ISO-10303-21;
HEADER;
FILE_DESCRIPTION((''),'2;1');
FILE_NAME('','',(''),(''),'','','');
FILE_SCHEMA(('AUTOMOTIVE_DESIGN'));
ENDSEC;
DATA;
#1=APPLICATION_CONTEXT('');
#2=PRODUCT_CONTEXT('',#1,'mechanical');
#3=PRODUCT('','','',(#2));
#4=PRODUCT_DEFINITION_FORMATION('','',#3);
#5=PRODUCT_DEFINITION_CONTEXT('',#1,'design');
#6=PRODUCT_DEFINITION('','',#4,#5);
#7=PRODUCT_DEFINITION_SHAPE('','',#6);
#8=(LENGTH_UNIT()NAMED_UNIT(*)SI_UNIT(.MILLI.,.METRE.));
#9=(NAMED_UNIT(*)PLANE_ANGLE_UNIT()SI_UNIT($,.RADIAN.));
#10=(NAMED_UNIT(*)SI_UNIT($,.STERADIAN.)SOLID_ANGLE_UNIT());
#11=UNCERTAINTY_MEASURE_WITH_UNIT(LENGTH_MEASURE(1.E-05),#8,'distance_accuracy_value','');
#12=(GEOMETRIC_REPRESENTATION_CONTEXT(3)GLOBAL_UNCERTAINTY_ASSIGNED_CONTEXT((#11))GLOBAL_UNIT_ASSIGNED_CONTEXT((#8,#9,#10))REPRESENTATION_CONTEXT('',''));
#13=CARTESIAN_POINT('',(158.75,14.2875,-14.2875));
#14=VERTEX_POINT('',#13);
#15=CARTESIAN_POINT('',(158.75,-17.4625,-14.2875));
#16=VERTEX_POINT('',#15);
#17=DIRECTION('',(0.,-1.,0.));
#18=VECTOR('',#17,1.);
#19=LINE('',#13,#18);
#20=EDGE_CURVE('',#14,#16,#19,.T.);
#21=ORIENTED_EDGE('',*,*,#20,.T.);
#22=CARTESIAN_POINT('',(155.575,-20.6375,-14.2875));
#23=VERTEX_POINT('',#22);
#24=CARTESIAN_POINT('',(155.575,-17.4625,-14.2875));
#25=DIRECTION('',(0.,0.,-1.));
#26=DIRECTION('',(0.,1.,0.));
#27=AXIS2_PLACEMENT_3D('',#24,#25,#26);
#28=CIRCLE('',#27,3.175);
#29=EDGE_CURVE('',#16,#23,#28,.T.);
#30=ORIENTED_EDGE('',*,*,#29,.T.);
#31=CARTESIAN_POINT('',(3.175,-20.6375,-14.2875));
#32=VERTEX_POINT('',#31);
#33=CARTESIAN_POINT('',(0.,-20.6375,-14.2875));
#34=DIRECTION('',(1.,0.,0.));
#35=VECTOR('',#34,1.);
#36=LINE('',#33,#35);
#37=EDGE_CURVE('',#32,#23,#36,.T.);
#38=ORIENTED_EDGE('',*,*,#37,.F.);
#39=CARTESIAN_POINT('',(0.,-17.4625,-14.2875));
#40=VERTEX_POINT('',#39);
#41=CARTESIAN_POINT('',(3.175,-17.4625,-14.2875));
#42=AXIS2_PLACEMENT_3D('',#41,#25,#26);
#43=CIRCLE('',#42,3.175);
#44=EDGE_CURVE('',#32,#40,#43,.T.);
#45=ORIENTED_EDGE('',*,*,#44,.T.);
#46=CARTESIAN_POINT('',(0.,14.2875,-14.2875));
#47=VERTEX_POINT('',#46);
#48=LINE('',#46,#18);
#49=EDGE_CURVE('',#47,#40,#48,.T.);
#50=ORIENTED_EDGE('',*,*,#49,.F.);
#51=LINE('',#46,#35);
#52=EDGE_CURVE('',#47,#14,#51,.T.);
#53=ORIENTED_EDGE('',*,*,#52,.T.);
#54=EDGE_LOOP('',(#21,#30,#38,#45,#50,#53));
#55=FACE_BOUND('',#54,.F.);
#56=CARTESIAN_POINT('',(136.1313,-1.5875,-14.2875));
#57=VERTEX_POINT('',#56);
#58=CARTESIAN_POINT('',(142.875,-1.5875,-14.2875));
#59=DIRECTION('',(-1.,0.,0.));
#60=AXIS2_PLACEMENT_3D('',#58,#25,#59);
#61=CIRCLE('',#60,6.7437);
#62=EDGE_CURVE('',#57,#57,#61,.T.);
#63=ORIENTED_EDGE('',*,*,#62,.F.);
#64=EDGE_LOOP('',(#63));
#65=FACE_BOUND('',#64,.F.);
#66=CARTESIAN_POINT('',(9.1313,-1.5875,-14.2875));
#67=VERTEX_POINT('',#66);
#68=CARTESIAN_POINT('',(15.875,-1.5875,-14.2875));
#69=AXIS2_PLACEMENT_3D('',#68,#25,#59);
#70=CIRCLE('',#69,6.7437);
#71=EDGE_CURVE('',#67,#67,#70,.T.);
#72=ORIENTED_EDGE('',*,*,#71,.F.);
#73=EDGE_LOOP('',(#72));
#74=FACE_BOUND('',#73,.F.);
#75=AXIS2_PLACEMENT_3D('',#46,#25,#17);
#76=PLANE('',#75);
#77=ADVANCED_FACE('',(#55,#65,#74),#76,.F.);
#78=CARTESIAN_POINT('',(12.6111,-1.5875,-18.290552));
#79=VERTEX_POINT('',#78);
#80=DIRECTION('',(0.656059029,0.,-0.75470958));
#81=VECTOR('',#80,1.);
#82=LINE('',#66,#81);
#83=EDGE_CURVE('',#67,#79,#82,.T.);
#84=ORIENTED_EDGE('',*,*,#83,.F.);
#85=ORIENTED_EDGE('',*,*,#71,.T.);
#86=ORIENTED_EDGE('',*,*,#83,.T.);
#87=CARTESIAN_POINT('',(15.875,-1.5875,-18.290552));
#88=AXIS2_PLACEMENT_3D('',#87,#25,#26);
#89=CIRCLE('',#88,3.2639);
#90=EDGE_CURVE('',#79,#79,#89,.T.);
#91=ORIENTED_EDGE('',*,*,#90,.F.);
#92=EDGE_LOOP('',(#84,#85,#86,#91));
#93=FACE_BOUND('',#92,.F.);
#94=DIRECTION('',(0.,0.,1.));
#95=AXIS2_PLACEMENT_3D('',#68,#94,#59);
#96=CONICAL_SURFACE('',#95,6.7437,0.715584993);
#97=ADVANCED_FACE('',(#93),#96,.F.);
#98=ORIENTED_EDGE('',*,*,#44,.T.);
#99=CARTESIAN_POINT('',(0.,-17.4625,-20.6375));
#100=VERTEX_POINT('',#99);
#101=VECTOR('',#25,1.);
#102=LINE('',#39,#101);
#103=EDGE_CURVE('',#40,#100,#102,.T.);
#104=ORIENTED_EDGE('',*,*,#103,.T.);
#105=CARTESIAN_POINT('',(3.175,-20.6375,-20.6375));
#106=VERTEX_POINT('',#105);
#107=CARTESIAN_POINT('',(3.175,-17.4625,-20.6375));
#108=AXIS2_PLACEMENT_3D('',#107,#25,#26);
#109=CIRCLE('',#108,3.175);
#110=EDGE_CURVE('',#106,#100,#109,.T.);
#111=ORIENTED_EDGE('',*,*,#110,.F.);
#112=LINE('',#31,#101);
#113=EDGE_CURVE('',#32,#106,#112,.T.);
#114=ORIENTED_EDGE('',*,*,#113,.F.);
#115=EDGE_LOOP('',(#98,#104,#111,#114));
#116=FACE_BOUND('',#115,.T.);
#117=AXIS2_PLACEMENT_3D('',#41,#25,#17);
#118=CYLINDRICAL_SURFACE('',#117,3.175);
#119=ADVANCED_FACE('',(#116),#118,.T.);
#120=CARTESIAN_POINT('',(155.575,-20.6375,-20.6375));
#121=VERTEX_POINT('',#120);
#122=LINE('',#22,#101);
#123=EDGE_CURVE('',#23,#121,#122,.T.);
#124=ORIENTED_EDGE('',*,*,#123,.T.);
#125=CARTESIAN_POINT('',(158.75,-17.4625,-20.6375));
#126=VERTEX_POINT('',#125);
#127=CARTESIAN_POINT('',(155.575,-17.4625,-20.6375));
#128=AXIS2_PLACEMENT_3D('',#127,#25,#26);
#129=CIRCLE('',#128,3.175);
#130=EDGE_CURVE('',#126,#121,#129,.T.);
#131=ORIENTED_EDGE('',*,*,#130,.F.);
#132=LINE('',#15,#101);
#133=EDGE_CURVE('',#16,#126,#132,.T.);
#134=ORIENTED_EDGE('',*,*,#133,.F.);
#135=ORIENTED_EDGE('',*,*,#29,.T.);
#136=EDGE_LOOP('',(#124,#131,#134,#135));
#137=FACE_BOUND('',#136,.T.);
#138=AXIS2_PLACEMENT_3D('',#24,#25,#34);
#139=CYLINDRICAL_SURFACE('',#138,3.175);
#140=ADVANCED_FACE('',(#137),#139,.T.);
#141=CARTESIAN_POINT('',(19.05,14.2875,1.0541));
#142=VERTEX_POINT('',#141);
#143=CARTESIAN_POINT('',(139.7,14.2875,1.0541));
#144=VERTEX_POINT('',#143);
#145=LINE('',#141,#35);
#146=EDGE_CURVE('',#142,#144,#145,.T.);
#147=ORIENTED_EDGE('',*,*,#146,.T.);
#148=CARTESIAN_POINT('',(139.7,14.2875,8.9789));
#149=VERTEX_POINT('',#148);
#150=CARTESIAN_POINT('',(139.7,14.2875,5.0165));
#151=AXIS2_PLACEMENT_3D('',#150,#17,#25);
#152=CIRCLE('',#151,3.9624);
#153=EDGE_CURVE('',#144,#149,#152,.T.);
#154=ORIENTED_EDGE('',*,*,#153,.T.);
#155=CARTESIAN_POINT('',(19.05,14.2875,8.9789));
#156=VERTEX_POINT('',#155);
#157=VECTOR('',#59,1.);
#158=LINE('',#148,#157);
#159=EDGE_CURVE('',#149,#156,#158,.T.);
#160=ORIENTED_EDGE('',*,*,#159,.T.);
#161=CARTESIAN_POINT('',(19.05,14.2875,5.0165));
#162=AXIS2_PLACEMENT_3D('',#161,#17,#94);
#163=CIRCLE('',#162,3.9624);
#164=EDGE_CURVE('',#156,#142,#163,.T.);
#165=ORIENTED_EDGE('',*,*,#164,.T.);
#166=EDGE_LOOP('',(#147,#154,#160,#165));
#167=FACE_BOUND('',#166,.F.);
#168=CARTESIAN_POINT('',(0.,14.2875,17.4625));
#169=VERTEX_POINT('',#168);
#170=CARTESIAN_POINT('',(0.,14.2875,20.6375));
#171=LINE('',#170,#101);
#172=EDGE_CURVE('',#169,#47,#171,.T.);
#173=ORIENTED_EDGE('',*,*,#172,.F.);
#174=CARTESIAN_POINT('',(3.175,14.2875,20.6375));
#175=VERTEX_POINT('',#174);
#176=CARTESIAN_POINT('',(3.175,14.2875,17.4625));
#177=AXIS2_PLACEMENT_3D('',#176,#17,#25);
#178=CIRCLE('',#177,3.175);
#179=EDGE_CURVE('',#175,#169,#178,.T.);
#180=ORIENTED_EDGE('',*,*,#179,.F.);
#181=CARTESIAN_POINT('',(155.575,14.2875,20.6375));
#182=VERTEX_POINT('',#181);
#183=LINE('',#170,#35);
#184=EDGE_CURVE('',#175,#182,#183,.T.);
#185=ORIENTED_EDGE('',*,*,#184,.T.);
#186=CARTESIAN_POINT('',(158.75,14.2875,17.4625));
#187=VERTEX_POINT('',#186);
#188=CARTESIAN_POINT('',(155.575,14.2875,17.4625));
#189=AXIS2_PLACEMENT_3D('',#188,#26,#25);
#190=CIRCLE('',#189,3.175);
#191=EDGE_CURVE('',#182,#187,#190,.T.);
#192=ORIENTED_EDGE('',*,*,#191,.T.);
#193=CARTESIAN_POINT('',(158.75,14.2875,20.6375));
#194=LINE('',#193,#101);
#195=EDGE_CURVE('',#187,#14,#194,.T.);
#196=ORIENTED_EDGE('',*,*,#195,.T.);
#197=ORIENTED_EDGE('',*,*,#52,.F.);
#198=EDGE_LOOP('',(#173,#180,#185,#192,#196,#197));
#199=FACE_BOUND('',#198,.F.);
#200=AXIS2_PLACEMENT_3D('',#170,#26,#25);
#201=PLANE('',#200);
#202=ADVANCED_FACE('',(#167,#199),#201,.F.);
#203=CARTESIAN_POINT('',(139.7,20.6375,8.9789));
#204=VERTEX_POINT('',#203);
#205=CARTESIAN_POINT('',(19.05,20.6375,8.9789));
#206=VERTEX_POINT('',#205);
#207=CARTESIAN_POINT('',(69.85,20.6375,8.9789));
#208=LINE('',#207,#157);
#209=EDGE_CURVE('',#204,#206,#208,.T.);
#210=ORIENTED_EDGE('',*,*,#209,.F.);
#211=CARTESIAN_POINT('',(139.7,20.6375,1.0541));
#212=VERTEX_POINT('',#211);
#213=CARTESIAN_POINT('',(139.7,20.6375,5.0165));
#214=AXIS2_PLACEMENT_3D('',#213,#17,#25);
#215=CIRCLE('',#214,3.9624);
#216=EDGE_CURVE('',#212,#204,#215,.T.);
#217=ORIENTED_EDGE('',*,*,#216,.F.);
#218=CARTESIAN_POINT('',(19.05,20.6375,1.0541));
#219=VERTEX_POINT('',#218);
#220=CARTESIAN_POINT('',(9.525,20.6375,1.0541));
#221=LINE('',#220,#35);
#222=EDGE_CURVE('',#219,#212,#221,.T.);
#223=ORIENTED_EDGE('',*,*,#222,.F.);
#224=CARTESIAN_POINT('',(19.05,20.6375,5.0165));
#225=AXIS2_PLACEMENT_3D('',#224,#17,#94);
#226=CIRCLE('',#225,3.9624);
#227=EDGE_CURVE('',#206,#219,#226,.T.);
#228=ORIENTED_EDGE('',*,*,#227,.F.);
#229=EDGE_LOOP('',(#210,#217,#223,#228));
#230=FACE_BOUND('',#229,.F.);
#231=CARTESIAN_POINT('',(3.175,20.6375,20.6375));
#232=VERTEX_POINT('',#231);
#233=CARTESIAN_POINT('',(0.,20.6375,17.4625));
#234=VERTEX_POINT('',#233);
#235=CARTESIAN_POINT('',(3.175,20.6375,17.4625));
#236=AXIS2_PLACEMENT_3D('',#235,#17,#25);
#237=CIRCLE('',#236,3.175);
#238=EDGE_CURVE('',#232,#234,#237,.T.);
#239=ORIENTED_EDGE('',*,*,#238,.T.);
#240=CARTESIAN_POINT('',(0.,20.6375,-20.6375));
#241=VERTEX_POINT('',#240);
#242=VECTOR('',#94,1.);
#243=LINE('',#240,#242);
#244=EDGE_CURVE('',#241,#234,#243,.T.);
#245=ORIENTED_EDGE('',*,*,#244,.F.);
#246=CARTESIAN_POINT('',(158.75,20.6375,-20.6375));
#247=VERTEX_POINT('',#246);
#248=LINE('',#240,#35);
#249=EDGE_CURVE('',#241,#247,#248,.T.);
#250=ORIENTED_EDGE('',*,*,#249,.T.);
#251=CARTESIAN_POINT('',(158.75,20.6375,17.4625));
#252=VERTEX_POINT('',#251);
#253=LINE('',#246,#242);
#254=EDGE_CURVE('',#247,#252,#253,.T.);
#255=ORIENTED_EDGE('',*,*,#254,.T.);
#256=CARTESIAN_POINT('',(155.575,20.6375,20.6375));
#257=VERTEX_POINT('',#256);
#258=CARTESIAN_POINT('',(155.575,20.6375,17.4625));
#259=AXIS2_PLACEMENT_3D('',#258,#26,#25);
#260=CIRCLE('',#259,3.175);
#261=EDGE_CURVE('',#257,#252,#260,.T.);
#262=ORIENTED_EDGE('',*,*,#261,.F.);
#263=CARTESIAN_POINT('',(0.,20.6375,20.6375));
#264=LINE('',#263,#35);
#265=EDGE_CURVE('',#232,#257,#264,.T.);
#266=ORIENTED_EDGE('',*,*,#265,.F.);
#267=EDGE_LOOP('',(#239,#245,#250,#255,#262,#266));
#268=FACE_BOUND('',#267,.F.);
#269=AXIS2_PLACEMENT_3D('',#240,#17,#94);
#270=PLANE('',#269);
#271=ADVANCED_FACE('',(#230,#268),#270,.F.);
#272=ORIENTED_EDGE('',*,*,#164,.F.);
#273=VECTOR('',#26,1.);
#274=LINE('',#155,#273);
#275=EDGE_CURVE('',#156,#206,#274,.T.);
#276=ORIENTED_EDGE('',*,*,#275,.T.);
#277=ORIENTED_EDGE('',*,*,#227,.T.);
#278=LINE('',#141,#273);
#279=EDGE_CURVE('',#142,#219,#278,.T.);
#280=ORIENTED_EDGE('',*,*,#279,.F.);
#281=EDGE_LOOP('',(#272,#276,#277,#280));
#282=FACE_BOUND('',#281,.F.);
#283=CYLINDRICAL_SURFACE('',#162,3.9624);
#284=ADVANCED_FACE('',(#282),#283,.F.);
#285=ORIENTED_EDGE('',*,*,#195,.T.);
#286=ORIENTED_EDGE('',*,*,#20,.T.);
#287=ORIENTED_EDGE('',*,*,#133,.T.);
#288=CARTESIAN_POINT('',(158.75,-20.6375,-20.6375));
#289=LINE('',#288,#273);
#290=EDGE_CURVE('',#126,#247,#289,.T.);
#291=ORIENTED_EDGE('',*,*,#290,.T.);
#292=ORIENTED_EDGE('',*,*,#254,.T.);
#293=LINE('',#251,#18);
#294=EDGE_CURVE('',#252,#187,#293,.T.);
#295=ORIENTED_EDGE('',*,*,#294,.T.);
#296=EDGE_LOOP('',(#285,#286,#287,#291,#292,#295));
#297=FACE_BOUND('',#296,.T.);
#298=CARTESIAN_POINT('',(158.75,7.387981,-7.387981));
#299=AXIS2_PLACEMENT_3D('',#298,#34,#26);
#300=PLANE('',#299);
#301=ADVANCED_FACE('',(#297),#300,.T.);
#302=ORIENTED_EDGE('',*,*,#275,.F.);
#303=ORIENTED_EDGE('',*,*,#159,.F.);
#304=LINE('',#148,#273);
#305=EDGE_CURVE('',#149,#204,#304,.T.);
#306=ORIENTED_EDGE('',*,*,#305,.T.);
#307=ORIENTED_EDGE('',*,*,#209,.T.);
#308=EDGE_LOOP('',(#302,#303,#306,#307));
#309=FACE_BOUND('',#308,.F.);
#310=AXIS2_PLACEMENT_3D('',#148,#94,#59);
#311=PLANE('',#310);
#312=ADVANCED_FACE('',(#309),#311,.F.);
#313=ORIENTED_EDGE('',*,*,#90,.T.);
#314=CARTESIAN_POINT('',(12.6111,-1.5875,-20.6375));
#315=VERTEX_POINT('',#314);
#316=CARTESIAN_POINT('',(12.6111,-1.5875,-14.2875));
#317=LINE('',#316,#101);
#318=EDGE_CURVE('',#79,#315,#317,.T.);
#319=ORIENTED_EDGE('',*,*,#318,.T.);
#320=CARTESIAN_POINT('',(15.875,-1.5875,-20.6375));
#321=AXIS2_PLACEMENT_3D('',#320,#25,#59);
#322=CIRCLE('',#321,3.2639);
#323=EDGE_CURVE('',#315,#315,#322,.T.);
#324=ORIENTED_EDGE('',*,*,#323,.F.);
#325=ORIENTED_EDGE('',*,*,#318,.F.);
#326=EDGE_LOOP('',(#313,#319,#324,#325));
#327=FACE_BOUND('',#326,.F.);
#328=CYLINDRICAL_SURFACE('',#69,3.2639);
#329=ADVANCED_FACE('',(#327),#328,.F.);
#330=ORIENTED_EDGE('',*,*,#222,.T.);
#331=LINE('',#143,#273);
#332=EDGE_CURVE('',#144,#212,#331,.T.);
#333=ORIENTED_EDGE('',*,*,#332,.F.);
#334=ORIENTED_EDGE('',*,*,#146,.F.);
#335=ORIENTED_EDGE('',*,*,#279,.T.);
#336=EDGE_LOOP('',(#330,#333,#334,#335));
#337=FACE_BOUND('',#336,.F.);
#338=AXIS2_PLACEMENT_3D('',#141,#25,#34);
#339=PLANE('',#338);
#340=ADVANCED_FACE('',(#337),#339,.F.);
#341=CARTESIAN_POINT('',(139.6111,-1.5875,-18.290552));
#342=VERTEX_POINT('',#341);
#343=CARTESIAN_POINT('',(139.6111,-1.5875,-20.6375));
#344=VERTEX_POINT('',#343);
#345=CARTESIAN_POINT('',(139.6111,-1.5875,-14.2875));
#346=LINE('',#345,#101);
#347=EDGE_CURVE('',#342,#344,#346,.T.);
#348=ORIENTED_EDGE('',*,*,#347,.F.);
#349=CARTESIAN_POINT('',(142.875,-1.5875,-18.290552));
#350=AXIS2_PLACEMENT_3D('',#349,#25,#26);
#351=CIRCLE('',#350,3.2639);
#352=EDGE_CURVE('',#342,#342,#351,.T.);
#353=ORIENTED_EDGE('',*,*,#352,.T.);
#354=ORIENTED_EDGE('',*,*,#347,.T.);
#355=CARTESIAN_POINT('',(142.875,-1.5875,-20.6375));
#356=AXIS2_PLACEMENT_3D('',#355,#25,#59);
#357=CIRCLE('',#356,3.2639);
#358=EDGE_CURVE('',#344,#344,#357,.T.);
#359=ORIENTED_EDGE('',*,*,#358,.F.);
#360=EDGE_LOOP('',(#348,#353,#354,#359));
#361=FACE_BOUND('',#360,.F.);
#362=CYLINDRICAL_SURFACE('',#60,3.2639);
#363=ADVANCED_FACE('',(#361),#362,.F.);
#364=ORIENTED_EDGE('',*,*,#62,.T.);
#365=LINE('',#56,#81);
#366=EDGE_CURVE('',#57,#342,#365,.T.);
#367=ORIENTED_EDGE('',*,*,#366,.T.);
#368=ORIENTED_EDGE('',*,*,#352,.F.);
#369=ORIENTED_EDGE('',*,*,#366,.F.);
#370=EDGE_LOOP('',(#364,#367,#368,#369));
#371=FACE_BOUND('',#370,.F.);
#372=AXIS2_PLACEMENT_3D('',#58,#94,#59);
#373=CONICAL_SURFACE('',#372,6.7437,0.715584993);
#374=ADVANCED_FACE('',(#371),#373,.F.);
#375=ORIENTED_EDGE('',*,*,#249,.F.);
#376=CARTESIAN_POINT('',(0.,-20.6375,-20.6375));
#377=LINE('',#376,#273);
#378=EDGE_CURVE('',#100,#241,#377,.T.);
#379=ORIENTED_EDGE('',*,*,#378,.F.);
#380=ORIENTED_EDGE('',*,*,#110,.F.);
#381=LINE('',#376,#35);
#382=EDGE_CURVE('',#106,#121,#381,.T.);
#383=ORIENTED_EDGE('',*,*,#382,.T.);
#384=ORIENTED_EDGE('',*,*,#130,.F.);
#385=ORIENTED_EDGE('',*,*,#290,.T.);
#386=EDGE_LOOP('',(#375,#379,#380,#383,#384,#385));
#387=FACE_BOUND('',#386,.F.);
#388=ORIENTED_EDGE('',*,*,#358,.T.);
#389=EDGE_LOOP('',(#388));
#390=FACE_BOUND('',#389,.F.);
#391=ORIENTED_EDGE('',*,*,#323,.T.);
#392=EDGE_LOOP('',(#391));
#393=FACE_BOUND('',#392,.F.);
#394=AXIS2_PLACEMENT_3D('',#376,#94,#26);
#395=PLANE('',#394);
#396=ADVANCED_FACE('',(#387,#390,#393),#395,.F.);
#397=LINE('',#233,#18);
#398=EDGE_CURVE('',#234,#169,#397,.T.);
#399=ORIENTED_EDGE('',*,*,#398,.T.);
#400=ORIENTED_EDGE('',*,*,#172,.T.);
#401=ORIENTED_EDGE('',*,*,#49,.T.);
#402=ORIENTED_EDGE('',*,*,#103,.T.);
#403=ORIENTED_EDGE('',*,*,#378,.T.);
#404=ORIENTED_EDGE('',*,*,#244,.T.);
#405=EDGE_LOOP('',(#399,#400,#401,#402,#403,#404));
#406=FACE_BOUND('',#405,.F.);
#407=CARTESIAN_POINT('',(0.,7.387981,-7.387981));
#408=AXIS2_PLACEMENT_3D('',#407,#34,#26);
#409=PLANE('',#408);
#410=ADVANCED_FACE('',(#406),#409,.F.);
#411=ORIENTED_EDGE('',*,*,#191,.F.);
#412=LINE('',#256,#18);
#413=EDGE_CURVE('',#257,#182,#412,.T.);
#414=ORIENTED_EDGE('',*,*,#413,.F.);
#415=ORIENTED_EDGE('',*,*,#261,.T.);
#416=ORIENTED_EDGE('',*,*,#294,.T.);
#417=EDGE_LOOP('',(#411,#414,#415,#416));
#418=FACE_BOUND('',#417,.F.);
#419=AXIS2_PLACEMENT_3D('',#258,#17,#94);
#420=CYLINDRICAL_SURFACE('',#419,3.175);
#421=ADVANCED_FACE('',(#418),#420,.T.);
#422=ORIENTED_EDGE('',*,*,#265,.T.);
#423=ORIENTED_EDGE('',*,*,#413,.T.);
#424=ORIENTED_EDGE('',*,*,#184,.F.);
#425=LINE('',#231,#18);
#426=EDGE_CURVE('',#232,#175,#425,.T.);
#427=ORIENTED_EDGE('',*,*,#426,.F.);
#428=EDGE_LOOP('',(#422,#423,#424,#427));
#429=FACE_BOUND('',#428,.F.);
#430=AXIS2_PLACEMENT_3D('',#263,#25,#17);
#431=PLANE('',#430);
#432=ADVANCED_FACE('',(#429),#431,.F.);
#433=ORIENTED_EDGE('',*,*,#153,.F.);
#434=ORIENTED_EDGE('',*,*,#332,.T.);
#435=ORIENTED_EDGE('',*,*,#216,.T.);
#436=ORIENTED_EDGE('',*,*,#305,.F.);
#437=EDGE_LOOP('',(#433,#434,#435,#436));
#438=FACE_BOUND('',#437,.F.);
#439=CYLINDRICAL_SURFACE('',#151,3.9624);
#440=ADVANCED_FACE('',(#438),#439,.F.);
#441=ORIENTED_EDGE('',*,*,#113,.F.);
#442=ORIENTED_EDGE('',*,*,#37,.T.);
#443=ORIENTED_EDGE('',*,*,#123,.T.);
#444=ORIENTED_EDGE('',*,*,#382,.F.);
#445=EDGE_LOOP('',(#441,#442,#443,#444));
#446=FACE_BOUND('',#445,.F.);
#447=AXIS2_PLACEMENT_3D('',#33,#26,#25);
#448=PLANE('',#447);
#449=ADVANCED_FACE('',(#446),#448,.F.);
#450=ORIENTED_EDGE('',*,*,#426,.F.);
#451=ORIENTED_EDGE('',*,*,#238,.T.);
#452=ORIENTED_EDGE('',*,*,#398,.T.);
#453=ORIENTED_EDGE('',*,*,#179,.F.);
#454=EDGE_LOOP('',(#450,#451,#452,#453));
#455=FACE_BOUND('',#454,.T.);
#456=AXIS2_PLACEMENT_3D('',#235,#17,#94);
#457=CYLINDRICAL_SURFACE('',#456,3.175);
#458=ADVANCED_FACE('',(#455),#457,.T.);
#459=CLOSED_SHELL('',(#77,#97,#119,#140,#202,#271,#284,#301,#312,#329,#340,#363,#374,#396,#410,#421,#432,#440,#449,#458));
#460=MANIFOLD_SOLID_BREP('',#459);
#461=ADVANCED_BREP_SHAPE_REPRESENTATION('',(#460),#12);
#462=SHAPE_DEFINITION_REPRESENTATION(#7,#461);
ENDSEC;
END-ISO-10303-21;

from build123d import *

# Parameters (mm, degrees)
F1_DEPTH       = 158.75
F3_DEPTH       = 6.351
F5_D           = 6.5278
F5_CSINK_D     = 13.4874
F5_CSINK_ANGLE = 82
F6_R           = 3.175


with BuildPart() as f1:
    # F0 (on Right) → F1 (new body)
    with BuildSketch(Plane.YZ):
        Polygon((20.6375, 20.6375), (14.2875, 20.6375), (14.2875, -14.2875), (-20.6375, -14.2875), (-20.6375, -20.6375), (20.6375, -20.6375), align=None)
    extrude(amount=F1_DEPTH)

    # F2 (on face) → F3 (cut, through all)
    with BuildSketch(Plane.XZ.offset(-14.2875)):
        with BuildLine():
            ThreePointArc((19.05, 8.9789), (15.0876, 5.0165), (19.05, 1.0541))
            Line((19.05, 1.0541), (139.7, 1.0541))
            ThreePointArc((139.7, 1.0541), (143.6624, 5.0165), (139.7, 8.9789))
            Line((139.7, 8.9789), (19.05, 8.9789))
        make_face()
    extrude(amount=-F3_DEPTH, mode=Mode.SUBTRACT)

    # F5 (through all)
    with Locations(Plane.XY.offset(-14.2875)):
        with Locations((15.875, -1.5875), (142.875, -1.5875)):
            CounterSinkHole(F5_D / 2, F5_CSINK_D / 2, counter_sink_angle=F5_CSINK_ANGLE)

    # F6
    f6_edges = [f1.edges().sort_by_distance(p)[0] for p in [
        (0, 17.4625, 20.6375),
        (158.75, 17.4625, 20.6375),
        (158.75, -20.6375, -17.4625),
        (0, -20.6375, -17.4625),
    ]]
    fillet(f6_edges, radius=F6_R)


solid = f1.part
